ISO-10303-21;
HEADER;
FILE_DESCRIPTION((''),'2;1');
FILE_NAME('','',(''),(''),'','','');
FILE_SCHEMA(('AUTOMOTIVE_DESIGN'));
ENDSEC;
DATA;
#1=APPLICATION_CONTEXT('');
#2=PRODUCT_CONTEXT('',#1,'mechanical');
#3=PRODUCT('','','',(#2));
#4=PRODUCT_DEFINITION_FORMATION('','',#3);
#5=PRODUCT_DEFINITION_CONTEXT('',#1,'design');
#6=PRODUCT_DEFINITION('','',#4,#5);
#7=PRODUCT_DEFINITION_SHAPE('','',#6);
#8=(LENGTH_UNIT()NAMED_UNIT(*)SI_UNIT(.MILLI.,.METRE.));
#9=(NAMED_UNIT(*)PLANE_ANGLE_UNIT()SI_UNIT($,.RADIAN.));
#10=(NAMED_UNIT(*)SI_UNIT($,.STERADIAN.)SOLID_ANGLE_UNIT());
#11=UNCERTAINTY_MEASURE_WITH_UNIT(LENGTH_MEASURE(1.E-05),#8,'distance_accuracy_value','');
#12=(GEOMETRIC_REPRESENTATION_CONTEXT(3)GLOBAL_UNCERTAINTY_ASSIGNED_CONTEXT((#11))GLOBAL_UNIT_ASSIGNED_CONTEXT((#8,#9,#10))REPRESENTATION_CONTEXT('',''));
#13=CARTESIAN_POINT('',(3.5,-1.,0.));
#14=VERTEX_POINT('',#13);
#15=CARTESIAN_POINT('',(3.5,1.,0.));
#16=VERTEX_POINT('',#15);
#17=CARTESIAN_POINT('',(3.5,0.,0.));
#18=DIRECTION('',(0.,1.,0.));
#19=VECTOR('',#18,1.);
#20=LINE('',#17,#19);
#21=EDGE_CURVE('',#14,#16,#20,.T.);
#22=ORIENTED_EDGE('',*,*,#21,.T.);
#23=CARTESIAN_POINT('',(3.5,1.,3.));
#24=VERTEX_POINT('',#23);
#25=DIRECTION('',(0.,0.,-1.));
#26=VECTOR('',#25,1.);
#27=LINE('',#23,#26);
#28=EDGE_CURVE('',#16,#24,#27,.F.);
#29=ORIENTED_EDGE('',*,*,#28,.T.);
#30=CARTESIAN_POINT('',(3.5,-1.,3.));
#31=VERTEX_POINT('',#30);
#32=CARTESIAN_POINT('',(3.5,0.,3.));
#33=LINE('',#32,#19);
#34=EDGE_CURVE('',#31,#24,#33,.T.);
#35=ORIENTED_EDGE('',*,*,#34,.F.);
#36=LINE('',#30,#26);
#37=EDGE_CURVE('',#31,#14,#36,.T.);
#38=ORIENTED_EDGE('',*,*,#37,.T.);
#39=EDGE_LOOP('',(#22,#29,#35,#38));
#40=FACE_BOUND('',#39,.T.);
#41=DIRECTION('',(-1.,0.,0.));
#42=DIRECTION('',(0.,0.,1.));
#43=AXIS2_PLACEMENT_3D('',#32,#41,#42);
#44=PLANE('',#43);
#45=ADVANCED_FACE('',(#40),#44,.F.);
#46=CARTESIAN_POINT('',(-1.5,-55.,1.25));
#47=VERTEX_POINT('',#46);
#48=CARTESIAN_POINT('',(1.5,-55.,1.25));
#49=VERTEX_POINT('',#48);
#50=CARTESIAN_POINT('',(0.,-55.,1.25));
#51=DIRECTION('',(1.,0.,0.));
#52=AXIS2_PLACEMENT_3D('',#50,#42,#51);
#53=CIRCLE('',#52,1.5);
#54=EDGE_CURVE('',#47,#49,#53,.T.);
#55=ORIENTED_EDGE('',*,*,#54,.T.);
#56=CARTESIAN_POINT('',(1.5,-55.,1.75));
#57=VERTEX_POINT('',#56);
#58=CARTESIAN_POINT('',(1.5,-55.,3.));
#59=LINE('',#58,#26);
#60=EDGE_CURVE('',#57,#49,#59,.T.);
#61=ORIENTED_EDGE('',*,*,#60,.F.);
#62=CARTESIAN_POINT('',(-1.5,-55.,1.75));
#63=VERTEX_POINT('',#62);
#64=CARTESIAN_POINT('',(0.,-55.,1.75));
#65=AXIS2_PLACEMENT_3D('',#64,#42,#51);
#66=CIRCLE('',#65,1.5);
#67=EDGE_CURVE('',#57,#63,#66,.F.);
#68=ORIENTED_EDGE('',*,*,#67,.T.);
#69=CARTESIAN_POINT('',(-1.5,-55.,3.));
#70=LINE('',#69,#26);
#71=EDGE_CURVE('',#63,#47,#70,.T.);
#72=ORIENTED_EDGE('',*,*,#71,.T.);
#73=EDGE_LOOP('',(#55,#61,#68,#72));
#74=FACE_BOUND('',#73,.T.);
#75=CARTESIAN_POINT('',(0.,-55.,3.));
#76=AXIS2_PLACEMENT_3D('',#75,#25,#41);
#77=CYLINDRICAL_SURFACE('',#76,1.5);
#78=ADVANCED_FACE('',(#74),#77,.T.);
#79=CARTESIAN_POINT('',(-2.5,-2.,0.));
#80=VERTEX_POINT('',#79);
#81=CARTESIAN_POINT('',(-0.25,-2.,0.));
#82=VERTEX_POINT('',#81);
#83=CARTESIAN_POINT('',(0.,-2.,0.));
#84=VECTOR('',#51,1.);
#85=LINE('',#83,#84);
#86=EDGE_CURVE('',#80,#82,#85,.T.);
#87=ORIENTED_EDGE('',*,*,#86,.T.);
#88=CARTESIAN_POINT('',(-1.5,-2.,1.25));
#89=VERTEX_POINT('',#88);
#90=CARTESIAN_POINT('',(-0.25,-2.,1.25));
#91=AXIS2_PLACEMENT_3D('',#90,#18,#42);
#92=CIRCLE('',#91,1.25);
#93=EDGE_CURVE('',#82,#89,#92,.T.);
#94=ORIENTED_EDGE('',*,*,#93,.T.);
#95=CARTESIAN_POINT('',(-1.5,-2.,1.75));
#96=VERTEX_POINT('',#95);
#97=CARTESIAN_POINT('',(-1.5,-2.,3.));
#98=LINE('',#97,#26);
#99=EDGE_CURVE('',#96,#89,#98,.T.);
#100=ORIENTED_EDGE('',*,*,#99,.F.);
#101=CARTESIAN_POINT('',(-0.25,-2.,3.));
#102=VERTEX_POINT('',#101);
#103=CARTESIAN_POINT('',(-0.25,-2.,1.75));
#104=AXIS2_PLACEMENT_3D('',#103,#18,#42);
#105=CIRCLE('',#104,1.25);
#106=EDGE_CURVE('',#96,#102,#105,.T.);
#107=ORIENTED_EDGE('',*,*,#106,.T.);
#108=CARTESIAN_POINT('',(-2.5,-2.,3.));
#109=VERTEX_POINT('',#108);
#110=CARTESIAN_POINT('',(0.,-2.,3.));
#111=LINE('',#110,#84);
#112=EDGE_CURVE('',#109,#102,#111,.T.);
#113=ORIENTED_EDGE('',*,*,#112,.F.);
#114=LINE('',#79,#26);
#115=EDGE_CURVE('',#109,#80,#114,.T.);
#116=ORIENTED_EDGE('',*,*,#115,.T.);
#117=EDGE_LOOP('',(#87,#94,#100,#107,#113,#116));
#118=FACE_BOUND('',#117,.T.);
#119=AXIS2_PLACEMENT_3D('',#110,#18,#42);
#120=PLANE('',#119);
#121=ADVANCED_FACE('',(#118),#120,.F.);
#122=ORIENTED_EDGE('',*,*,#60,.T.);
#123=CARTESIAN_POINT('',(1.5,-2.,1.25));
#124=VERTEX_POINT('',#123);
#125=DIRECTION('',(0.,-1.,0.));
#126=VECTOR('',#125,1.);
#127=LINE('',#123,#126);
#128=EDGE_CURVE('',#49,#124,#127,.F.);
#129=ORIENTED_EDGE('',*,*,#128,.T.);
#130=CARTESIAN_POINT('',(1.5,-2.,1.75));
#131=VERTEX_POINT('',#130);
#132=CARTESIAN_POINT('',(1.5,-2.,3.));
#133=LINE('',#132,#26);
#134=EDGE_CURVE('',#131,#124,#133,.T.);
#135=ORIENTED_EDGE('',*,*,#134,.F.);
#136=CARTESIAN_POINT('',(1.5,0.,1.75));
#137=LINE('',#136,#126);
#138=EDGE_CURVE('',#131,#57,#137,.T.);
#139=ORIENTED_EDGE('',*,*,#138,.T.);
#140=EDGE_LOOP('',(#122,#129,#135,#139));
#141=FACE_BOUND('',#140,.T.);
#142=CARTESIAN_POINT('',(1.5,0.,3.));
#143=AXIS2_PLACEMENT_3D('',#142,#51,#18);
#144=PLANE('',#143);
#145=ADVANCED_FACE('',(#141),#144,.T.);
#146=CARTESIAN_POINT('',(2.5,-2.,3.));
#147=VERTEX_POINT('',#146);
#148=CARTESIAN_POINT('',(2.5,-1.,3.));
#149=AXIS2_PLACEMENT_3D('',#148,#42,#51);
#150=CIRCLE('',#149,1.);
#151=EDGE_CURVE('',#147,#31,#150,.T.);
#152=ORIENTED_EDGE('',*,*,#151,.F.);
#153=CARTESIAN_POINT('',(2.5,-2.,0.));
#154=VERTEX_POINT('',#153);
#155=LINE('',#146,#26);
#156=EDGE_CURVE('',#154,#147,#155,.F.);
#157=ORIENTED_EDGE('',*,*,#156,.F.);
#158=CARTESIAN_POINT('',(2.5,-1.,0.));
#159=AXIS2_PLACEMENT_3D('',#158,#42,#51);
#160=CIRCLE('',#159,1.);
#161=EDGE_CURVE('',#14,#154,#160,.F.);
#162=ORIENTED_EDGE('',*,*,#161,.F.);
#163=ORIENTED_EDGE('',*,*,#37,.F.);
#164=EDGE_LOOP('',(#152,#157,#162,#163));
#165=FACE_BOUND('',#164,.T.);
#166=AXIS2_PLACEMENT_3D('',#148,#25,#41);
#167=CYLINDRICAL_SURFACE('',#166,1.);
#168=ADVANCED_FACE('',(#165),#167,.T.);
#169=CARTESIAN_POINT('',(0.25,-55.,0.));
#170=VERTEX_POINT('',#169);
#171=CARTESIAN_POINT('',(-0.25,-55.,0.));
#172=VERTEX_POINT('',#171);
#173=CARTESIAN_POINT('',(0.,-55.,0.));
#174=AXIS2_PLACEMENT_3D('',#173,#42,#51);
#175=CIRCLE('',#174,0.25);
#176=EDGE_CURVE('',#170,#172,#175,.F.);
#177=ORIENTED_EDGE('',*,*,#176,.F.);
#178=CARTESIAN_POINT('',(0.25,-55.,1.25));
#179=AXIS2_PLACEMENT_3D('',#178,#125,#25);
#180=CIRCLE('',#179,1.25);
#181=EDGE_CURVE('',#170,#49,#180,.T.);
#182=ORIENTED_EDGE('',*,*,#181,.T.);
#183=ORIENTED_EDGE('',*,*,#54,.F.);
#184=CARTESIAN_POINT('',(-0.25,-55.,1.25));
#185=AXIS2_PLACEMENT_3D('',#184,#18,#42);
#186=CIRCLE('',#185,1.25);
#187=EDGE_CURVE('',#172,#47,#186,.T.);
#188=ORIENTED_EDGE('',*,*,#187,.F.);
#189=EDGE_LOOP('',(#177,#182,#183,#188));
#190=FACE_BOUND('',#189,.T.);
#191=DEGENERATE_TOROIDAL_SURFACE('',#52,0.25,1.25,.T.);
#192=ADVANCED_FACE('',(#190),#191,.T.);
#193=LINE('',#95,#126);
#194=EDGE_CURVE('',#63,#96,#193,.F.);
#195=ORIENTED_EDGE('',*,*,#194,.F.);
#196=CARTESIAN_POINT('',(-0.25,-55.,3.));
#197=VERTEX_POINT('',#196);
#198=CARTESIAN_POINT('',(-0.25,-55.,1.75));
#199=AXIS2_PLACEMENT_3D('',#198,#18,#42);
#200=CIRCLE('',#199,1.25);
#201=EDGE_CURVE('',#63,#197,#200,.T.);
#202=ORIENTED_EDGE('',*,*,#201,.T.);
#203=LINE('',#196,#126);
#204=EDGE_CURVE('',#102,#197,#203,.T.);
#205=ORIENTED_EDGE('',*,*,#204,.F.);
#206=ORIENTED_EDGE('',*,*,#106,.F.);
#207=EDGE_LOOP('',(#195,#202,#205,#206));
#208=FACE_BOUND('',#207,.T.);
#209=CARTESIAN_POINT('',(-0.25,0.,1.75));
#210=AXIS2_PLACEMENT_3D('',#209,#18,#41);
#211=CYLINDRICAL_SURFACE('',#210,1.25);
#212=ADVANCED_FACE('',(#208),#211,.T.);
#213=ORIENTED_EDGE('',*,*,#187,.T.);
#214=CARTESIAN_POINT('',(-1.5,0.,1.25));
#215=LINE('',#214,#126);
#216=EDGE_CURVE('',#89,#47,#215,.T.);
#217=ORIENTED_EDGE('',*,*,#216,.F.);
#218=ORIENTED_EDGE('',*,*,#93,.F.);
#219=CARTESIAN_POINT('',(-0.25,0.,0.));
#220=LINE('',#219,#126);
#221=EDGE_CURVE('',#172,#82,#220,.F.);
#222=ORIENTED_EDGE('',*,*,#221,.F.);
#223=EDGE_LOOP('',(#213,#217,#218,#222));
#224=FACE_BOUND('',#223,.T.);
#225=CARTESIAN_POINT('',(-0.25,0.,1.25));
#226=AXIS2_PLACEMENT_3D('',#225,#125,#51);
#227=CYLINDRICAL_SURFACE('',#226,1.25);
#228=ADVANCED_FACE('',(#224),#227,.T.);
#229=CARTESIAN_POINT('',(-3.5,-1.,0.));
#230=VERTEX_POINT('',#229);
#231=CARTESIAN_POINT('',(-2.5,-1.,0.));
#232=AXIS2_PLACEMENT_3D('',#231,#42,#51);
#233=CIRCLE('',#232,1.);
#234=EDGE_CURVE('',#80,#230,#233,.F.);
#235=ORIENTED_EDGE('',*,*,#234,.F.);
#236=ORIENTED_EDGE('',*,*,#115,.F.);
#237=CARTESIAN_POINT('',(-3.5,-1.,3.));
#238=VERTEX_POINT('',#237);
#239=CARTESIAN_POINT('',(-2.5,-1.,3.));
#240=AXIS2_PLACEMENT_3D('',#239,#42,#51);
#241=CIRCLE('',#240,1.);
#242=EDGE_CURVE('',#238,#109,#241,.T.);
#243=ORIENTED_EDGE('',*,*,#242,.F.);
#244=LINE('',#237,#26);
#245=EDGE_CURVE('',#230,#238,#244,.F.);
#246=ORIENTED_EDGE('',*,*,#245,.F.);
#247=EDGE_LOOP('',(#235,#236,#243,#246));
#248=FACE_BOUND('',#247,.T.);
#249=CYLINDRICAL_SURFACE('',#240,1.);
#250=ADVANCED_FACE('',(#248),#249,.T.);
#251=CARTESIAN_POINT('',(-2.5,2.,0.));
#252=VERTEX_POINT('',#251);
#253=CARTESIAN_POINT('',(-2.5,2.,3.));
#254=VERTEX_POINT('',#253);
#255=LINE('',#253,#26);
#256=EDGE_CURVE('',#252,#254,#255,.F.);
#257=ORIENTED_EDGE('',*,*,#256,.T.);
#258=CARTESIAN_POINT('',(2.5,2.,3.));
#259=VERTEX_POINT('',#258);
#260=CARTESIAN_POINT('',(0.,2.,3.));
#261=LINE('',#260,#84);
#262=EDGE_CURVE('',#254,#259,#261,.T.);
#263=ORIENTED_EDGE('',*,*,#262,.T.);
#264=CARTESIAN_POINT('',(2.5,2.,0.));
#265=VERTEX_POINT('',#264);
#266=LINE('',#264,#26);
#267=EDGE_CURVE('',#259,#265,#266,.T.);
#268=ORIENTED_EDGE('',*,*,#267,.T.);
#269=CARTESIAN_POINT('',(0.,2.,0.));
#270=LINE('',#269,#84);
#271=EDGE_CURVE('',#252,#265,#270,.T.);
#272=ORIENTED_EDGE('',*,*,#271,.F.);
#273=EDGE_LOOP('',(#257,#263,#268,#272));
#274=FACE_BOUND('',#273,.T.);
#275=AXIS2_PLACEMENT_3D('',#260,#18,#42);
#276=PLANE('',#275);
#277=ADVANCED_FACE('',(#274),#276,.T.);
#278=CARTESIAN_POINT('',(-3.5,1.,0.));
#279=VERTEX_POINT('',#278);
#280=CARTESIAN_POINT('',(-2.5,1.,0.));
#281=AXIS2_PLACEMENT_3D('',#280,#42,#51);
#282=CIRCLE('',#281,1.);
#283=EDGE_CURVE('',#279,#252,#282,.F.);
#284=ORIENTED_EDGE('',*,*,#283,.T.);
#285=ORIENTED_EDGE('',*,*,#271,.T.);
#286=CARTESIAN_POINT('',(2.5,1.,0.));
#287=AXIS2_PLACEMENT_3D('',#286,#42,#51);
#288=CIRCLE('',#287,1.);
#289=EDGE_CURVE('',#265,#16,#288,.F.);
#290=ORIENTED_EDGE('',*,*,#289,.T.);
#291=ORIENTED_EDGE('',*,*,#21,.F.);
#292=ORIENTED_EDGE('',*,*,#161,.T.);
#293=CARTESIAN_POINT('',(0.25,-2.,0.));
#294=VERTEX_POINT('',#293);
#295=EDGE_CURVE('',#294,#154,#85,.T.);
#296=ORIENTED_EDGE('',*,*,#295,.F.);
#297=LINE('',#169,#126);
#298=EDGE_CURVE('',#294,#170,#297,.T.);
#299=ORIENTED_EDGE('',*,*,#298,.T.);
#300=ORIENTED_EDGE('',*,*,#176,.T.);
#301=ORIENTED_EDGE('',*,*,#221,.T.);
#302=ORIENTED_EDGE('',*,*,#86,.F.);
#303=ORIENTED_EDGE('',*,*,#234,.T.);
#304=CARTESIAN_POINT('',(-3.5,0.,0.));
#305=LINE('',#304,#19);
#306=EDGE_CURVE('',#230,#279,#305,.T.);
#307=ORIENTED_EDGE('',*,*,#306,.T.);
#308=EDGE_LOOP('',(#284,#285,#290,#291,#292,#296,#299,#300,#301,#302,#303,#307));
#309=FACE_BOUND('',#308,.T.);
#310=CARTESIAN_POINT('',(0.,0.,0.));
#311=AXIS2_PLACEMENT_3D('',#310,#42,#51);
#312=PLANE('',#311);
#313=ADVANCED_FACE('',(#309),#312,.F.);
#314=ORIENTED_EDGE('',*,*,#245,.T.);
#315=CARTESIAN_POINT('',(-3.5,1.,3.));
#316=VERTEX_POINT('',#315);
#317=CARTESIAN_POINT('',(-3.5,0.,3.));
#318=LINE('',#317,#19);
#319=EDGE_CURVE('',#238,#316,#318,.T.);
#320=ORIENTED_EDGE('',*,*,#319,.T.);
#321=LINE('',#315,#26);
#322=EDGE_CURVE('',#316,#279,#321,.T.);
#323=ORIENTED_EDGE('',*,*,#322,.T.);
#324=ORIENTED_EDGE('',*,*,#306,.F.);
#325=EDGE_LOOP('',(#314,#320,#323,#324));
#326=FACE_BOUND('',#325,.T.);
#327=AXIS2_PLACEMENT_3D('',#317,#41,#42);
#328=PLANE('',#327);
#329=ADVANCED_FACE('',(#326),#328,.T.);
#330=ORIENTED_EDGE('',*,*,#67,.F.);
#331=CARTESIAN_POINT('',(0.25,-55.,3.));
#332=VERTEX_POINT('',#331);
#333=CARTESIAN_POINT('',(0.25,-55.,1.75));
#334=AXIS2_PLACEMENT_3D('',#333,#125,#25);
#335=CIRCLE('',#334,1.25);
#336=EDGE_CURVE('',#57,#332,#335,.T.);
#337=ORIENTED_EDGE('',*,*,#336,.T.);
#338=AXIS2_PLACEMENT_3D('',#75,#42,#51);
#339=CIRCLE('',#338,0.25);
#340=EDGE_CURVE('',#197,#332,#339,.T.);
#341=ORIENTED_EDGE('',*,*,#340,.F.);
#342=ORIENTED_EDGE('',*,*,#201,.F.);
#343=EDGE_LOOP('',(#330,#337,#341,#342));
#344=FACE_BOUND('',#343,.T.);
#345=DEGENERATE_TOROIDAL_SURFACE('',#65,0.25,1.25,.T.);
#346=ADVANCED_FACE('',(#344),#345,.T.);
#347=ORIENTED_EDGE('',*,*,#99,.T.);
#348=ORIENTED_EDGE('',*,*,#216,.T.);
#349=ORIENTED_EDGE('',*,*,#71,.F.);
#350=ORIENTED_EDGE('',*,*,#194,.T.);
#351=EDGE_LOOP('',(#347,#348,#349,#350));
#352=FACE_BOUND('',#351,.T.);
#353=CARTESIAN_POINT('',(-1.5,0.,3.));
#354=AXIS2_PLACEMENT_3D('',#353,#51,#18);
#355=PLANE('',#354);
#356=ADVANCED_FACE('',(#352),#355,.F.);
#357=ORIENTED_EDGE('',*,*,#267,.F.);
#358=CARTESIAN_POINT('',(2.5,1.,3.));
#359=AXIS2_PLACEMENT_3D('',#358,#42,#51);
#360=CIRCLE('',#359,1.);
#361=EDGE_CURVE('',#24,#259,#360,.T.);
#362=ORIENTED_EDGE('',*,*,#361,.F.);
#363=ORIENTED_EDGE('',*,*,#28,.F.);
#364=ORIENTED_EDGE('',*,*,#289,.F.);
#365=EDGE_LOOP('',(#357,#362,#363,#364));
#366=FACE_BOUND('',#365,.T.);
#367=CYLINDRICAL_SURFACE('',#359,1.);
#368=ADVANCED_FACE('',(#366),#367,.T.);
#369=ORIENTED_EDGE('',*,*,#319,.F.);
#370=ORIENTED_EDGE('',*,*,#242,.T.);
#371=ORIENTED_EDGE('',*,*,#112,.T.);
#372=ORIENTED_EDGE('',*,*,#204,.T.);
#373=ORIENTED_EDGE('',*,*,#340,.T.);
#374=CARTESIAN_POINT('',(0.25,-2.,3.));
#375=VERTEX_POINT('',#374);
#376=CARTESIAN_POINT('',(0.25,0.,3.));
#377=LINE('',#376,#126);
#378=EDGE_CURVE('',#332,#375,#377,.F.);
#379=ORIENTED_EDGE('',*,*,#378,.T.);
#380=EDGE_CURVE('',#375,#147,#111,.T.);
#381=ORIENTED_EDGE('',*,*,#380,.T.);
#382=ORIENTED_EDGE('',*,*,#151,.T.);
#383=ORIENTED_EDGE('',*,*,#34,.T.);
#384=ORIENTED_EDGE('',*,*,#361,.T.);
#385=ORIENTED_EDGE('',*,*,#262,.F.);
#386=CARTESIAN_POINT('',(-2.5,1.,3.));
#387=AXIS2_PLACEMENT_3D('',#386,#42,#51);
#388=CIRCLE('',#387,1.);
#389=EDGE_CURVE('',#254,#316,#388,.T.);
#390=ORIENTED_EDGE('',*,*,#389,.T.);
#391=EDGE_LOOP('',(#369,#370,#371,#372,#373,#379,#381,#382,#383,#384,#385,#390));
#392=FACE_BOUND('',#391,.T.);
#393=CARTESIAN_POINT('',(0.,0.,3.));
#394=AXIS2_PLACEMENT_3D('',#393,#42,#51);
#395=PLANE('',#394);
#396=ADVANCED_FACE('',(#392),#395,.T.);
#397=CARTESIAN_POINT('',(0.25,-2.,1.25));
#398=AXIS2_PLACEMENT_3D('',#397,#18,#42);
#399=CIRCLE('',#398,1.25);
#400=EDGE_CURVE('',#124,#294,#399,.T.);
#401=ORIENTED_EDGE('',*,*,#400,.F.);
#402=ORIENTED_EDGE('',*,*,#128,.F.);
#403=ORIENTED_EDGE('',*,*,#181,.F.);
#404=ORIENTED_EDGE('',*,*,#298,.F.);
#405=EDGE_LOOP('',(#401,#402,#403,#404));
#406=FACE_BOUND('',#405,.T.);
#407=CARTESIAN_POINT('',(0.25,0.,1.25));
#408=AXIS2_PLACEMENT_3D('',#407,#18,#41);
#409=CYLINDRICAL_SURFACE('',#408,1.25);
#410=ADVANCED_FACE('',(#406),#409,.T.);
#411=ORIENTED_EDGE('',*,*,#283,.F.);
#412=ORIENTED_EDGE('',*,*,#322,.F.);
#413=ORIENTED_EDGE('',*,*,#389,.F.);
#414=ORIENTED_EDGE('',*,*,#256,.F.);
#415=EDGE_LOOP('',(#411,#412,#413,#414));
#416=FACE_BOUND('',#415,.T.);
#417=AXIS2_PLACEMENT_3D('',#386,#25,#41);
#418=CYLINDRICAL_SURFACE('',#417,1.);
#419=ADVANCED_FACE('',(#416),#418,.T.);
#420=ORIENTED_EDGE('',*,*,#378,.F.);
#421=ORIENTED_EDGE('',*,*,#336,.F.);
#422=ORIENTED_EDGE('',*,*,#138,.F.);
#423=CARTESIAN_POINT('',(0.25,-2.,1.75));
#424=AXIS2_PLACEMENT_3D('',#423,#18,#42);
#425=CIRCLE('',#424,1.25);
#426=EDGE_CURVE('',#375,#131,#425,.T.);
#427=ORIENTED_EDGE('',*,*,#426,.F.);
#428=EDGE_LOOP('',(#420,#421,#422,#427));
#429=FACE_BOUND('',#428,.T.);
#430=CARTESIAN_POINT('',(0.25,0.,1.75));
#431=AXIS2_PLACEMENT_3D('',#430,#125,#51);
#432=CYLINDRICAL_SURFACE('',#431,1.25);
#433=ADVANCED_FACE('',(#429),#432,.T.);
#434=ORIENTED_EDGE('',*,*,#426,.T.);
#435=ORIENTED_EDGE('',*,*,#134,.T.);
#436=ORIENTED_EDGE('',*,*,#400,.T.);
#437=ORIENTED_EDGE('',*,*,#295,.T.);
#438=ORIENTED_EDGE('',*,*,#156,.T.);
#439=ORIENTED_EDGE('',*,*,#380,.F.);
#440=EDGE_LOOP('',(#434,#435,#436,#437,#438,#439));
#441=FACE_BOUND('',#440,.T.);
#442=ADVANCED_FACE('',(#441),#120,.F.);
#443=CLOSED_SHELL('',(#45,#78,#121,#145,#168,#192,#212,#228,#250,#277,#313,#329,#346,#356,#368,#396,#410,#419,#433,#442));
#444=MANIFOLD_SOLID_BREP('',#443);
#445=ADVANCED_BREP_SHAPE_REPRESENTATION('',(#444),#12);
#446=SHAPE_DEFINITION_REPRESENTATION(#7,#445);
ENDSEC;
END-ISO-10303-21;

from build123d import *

# Parameters (mm, degrees)
BOSS_EXTRUDE1_DEPTH = 3
FILLET1_R           = 1.25
FILLET2_R           = 1


with BuildPart() as part:
    # Sketch1 → Boss-Extrude1 (new body)
    with BuildSketch(Plane.XY):
        with BuildLine():
            Line((-3.5, 2), (-3.5, -2))
            Line((-3.5, -2), (-1.5, -2))
            Line((-1.5, -2), (-1.5, -55))
            ThreePointArc((-1.5, -55), (0, -56.5), (1.5, -55))
            Line((1.5, -55), (1.5, -2))
            Line((1.5, -2), (3.5, -2))
            Line((3.5, -2), (3.5, 2))
            Line((3.5, 2), (-3.5, 2))
        make_face()
    extrude(amount=BOSS_EXTRUDE1_DEPTH)

    # Fillet1
    fillet1_edges = [part.edges().sort_by_distance(p)[0] for p in [
        (-1.5, -28.5, 0),
        (0, -56.5, 0),
        (-1.5, -28.5, 3),
        (0, -56.5, 3),
        (1.5, -28.5, 0),
        (1.5, -28.5, 3),
    ]]
    fillet(fillet1_edges, radius=FILLET1_R)

    # Fillet2
    fillet2_edges = [part.edges().sort_by_distance(p)[0] for p in [
        (-3.5, -2, 1.5),
        (3.5, -2, 1.5),
        (3.5, 2, 1.5),
        (-3.5, 2, 1.5),
    ]]
    fillet(fillet2_edges, radius=FILLET2_R)


solid = part.part
